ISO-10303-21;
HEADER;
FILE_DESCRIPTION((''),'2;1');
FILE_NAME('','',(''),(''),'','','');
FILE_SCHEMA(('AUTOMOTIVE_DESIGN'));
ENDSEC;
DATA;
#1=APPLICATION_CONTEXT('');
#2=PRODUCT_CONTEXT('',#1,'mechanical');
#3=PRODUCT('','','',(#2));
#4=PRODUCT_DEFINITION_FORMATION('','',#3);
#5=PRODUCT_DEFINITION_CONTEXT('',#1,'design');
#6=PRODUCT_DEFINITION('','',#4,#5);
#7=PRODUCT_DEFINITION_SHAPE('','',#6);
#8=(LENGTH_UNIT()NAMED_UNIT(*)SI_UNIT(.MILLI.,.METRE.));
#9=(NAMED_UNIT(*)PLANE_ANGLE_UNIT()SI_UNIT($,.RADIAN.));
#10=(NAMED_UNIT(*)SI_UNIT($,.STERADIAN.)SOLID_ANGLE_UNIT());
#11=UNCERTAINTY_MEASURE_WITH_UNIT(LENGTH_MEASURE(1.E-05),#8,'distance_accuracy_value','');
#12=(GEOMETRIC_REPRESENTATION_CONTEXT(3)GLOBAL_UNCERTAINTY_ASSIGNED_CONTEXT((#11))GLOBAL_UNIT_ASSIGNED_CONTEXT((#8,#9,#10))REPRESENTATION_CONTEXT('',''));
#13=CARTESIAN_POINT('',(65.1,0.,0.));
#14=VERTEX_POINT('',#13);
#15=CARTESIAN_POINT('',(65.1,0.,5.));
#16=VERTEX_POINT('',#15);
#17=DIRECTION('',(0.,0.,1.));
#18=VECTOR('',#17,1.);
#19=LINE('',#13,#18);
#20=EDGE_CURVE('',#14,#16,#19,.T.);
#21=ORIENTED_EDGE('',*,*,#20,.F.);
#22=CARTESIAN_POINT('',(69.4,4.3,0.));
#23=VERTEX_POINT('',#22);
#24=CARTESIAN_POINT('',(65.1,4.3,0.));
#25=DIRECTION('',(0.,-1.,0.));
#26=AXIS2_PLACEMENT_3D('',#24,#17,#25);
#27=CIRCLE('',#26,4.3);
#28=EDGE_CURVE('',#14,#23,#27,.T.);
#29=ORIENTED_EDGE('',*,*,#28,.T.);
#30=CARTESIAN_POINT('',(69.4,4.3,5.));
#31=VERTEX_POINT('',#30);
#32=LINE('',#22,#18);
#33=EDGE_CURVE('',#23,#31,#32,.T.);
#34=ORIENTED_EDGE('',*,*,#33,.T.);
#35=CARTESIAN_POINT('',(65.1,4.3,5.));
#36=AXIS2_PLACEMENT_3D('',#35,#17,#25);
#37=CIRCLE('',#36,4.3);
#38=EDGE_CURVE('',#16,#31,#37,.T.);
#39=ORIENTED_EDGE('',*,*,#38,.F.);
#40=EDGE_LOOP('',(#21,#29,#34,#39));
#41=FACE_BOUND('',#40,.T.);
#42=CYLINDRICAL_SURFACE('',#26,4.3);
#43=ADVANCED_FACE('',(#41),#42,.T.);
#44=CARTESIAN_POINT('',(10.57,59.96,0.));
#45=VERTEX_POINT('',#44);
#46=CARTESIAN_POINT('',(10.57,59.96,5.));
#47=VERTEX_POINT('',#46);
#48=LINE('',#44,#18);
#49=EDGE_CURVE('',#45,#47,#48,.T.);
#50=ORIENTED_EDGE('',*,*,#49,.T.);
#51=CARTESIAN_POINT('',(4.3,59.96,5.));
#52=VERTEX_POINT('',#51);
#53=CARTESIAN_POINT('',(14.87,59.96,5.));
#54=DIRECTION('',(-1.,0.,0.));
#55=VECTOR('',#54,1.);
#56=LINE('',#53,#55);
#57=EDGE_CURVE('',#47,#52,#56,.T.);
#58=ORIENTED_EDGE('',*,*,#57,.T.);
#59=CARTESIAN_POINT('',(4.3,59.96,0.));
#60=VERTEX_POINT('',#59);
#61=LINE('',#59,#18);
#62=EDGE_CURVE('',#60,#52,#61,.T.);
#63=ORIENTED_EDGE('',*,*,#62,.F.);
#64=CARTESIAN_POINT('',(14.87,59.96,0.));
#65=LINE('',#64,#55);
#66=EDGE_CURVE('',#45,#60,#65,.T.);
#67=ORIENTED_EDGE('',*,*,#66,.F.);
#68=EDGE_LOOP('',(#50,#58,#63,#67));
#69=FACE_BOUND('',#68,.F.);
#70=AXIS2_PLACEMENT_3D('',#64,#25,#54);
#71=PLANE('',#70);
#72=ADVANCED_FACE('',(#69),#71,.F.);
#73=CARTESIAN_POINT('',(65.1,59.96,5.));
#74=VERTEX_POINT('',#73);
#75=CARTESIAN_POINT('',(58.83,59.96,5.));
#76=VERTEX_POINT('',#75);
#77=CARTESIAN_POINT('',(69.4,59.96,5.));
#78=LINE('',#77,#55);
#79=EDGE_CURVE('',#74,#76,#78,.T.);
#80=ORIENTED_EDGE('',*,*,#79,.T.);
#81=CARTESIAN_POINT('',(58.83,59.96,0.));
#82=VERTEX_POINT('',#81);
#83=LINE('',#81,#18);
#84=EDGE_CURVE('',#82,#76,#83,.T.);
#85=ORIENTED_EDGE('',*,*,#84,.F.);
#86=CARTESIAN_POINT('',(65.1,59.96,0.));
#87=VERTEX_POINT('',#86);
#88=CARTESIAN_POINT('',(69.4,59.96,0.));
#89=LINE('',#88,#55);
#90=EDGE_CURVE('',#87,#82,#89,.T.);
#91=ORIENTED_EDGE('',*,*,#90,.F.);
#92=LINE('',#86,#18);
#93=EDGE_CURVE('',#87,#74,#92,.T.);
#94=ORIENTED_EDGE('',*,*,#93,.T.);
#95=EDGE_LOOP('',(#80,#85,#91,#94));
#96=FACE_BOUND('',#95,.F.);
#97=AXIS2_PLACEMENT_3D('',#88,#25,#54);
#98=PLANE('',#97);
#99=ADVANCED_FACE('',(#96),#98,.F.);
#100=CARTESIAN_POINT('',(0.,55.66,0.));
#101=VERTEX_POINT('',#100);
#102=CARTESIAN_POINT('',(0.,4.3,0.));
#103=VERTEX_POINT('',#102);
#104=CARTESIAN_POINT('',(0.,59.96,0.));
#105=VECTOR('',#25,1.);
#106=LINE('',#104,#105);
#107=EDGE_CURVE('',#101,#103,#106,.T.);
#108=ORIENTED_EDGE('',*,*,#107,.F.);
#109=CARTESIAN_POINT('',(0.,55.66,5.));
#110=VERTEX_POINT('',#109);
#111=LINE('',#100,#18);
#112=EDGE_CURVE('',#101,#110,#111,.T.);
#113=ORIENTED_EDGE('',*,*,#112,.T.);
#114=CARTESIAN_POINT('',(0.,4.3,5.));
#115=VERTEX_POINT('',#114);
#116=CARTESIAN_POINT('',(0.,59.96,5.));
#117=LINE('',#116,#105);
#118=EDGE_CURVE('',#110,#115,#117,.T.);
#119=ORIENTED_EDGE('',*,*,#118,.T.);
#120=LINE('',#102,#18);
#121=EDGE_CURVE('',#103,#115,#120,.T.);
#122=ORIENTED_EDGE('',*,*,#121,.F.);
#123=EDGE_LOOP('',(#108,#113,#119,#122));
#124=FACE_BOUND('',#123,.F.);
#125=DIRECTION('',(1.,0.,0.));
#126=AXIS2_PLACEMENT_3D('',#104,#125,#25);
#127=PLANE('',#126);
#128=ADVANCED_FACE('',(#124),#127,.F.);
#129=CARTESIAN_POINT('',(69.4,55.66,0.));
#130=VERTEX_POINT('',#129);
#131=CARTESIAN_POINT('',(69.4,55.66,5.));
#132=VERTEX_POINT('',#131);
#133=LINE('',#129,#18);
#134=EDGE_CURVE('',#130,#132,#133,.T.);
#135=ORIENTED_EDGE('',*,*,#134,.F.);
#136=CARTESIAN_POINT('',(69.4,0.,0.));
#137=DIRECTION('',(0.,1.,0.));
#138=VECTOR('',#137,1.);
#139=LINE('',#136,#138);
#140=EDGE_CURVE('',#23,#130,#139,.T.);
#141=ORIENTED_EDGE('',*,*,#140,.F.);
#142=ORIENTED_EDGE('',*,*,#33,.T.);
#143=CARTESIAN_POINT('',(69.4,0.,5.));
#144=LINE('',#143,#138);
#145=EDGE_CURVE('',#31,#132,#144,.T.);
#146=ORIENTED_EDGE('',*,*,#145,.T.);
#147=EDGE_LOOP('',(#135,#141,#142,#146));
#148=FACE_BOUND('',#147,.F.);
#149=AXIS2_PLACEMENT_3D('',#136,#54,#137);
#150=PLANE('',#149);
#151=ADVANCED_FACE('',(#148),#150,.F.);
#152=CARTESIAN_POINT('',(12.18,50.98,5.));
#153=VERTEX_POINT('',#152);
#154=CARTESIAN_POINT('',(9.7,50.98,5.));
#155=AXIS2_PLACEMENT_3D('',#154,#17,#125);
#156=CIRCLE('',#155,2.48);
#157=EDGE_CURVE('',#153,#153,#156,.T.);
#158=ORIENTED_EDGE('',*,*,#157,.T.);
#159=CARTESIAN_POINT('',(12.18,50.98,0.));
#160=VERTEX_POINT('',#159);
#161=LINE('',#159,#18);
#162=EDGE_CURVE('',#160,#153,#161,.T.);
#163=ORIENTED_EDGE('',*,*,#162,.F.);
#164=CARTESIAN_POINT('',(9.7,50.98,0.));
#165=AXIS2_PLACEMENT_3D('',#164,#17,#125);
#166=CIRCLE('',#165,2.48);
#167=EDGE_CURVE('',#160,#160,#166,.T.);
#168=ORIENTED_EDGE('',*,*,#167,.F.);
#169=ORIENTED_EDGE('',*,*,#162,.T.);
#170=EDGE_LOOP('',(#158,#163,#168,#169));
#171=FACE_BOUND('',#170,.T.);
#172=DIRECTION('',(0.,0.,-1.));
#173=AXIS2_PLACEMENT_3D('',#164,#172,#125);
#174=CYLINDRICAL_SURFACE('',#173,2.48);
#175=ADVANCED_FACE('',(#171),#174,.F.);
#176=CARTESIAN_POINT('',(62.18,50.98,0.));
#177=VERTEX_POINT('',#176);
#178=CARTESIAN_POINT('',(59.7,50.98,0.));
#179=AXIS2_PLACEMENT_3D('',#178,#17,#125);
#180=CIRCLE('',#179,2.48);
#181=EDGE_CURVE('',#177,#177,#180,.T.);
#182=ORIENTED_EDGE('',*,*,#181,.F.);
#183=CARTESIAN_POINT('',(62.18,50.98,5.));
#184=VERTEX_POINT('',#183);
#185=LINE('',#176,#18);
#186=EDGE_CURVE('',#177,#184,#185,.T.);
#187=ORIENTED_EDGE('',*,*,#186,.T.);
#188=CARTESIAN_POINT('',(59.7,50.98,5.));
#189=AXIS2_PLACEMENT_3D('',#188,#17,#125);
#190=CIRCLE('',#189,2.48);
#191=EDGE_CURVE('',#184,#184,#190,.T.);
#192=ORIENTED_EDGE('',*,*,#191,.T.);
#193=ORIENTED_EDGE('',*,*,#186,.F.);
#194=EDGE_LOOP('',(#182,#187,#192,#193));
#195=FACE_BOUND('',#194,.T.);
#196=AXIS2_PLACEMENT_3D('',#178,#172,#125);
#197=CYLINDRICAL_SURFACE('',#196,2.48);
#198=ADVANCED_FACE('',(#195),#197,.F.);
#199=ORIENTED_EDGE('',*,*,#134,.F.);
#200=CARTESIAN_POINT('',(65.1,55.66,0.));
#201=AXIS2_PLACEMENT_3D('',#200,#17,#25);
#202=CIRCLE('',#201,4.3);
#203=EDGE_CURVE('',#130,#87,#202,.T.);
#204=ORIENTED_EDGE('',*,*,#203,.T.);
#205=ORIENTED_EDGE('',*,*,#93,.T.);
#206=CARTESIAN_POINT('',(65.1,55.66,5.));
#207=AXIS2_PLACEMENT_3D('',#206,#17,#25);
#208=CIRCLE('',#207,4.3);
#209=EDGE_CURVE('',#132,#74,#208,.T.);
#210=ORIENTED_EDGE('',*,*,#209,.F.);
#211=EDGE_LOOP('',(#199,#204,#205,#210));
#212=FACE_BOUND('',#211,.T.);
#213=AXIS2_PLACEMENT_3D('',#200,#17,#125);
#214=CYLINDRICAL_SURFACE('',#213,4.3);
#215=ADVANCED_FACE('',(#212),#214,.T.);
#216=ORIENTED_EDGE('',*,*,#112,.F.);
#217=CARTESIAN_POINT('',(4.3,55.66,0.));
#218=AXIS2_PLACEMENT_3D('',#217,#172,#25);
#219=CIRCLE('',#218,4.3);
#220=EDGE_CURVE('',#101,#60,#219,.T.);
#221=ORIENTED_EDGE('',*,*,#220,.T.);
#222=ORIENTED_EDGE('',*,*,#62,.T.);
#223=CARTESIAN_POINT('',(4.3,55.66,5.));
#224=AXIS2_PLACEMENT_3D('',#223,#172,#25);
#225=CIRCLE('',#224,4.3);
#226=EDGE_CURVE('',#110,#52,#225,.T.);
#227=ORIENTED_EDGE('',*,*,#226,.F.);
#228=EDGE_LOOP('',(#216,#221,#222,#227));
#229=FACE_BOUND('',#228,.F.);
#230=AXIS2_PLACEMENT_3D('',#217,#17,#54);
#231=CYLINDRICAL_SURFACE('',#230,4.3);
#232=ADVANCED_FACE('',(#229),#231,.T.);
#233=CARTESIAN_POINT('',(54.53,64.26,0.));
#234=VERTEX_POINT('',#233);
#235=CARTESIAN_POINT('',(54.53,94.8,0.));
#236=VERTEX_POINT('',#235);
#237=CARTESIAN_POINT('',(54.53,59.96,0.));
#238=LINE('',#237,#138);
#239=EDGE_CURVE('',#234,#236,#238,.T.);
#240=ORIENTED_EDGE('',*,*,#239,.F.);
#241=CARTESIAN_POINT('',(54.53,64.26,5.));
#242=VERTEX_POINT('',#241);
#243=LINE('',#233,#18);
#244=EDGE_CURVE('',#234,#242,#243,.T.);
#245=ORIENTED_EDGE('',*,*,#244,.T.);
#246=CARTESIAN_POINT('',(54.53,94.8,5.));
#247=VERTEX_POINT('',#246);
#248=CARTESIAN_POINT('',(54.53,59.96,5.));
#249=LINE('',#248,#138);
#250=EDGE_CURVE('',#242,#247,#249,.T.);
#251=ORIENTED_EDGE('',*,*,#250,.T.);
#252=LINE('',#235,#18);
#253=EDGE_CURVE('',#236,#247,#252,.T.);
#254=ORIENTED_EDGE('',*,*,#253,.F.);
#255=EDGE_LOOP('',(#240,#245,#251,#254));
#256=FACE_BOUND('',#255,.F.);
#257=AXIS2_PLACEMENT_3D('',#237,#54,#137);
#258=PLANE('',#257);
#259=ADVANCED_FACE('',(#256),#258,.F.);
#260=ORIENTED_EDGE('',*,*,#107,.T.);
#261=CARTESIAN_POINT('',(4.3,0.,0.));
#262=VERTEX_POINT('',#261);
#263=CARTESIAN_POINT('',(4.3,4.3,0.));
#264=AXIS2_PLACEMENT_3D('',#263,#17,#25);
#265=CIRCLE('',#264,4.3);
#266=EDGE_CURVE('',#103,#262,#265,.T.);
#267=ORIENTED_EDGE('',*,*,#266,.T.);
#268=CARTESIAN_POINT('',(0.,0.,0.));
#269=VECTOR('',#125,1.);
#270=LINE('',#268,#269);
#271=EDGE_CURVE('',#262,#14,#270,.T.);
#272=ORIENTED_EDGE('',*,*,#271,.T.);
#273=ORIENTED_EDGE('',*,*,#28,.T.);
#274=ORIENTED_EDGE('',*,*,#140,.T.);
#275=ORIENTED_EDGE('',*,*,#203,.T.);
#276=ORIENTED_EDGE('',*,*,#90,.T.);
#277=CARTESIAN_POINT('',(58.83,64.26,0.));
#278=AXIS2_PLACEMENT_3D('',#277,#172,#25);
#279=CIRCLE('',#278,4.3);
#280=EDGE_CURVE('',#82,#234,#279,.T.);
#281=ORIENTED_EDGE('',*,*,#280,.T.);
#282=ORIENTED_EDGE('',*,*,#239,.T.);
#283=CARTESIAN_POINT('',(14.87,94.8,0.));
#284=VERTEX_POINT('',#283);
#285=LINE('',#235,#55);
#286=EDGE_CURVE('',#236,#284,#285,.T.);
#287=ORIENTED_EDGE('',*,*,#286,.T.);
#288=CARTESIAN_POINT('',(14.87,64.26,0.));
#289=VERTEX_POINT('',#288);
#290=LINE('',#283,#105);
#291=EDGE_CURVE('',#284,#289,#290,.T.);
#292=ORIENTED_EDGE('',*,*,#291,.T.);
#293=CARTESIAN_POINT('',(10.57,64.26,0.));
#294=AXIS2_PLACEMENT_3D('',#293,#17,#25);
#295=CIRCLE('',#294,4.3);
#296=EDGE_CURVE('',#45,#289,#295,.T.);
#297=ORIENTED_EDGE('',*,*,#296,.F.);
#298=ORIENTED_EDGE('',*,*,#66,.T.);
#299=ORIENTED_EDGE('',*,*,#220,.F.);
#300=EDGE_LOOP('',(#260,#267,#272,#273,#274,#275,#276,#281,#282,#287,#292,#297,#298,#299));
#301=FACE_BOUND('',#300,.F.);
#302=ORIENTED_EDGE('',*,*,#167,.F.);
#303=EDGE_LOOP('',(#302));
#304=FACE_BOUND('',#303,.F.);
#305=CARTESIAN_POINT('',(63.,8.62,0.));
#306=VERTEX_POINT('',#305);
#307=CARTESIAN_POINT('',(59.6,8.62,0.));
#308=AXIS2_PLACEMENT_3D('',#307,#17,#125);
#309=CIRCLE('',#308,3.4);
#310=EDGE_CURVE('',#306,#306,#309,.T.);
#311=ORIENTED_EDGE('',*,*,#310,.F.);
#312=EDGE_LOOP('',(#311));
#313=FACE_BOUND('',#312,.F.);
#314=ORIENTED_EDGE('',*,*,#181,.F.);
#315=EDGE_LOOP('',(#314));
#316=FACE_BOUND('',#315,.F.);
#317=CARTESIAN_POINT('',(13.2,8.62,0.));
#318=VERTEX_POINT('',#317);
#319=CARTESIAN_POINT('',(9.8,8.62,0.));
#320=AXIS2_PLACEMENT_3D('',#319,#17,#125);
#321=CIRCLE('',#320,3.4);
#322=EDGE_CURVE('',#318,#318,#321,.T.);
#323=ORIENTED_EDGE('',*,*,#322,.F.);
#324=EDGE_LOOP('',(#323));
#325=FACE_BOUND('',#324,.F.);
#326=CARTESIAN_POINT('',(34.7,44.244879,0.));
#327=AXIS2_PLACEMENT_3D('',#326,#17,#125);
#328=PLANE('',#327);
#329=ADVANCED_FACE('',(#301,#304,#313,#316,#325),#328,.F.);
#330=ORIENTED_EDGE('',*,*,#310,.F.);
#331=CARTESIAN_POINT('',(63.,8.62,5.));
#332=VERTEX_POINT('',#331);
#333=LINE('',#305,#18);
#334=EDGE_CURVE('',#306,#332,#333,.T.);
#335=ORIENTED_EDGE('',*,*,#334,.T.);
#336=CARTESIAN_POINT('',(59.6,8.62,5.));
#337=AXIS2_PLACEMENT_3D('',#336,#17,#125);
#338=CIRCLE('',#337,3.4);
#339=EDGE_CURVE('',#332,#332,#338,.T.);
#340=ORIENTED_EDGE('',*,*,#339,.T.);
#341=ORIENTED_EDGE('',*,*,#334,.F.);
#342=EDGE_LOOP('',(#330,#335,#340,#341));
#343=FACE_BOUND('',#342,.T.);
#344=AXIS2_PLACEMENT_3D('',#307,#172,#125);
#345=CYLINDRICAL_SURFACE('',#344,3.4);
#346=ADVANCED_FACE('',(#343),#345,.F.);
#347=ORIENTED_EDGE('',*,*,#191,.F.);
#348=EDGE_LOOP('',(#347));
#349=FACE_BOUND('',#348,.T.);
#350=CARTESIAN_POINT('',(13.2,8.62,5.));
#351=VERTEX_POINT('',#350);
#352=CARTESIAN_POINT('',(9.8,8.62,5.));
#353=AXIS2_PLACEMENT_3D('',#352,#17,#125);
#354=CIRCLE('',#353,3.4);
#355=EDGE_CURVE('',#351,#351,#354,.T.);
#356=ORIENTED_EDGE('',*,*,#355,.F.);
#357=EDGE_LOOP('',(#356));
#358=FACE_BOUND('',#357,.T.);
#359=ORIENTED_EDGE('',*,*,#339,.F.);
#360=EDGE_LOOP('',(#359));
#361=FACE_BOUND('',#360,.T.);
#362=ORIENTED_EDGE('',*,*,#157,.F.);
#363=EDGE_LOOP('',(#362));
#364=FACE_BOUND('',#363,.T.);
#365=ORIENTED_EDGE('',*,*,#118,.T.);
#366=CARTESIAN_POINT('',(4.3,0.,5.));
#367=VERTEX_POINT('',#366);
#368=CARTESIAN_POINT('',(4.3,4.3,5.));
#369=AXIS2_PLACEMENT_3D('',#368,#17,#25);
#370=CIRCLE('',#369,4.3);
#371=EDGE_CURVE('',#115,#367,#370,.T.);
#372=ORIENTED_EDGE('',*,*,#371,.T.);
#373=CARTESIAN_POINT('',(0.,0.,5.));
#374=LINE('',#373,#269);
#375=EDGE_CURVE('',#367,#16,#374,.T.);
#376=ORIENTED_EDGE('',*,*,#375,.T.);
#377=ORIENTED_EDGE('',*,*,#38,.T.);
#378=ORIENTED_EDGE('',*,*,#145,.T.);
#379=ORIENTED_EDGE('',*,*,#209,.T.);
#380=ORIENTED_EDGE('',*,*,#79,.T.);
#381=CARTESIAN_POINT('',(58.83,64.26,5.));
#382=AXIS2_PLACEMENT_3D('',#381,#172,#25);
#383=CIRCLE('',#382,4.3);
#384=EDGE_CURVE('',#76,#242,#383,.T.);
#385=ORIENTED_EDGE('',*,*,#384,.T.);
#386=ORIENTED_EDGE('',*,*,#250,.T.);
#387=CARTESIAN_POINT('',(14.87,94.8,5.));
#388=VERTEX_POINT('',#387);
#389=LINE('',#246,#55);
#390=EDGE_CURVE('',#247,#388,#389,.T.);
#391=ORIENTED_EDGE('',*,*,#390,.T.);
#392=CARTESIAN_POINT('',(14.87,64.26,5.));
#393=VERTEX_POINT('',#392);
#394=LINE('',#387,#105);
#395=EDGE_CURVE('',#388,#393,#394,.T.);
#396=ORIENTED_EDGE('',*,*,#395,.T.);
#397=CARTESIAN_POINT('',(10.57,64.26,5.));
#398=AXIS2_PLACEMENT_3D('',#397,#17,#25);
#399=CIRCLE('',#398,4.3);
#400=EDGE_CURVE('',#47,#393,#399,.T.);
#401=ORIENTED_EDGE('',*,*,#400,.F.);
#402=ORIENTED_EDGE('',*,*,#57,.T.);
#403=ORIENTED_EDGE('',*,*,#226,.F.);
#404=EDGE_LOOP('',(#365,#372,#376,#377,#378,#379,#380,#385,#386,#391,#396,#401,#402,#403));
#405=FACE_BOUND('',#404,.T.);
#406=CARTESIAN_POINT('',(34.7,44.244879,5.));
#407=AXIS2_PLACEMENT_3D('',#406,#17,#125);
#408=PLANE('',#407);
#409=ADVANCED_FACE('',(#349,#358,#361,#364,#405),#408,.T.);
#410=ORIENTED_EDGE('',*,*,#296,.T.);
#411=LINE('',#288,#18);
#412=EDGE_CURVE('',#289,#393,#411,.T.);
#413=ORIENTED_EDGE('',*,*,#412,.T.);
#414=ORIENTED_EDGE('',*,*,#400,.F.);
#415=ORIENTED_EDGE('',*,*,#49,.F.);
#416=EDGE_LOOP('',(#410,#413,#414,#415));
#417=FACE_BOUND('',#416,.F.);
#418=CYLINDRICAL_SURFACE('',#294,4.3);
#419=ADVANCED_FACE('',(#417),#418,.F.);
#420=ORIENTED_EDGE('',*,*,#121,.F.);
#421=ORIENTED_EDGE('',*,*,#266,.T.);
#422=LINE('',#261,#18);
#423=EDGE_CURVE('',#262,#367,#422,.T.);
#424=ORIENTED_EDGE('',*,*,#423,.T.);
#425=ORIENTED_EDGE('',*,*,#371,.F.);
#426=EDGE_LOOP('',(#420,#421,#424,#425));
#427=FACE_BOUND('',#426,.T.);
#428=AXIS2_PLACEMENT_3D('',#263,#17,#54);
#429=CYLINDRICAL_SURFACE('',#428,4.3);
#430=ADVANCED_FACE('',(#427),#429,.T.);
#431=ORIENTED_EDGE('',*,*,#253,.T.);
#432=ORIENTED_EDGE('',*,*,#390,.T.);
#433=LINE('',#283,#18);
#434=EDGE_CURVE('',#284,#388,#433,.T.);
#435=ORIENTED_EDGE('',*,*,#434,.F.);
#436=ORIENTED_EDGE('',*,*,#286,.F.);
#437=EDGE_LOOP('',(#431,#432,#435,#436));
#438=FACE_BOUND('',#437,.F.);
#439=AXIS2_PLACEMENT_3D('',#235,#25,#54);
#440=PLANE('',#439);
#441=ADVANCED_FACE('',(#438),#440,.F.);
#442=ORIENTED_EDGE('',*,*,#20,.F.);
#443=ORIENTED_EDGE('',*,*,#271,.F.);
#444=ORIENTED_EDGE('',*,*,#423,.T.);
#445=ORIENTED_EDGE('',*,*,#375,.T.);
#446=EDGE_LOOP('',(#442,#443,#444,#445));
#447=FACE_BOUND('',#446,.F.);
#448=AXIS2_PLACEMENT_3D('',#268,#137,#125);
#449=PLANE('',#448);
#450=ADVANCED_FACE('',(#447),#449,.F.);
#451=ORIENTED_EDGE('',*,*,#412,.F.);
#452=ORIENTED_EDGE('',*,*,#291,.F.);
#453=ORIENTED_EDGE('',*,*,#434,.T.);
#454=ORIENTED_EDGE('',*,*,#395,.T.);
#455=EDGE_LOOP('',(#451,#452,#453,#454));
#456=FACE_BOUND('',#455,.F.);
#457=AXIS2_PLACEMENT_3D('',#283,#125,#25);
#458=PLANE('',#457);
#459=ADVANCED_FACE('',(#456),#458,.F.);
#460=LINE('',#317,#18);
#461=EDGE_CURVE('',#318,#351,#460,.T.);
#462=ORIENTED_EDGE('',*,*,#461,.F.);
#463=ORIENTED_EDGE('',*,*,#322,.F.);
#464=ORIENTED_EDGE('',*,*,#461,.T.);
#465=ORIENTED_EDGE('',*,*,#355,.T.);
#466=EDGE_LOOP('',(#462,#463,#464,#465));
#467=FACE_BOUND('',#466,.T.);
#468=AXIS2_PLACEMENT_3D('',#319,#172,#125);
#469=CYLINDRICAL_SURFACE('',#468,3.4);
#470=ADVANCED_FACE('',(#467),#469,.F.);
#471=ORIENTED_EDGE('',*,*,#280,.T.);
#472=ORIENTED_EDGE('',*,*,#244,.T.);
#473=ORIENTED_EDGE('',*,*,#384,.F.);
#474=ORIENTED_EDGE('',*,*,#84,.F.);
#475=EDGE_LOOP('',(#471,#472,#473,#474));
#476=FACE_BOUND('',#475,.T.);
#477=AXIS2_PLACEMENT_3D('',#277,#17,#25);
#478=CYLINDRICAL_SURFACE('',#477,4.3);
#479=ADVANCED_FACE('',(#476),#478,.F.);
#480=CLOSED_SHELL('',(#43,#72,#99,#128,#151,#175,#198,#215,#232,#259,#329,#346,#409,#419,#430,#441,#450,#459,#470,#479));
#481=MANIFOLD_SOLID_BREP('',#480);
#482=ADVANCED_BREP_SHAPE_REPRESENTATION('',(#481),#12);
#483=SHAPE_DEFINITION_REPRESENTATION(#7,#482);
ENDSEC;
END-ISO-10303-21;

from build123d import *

# Parameters (mm, degrees)
F0_R     = 3.4
F0_R_2   = 2.48
F1_DEPTH = 5
F2_R     = 4.3


with BuildPart() as f1:
    # F0 (on Top) → F1 (new body)
    with BuildSketch(Plane.XY):
        Polygon((0, 59.96), (0, 0), (69.4, 0), (69.4, 59.96), (54.53, 59.96), (54.53, 94.8), (14.87, 94.8), (14.87, 59.96), align=None)
        with Locations((9.8, 8.62)):
            Circle(F0_R, mode=Mode.SUBTRACT)
        with Locations((59.6, 8.62)):
            Circle(F0_R, mode=Mode.SUBTRACT)
        with Locations((9.7, 50.98)):
            Circle(F0_R_2, mode=Mode.SUBTRACT)
        with Locations((59.7, 50.98)):
            Circle(F0_R_2, mode=Mode.SUBTRACT)
    extrude(amount=F1_DEPTH)

    # F2
    f2_edges = [f1.edges().sort_by_distance(p)[0] for p in [
        (54.53, 59.96, 2.5),
        (14.87, 59.96, 2.5),
        (0, 59.96, 2.5),
        (69.4, 59.96, 2.5),
        (69.4, 0, 2.5),
        (0, 0, 2.5),
    ]]
    fillet(f2_edges, radius=F2_R)


solid = f1.part
